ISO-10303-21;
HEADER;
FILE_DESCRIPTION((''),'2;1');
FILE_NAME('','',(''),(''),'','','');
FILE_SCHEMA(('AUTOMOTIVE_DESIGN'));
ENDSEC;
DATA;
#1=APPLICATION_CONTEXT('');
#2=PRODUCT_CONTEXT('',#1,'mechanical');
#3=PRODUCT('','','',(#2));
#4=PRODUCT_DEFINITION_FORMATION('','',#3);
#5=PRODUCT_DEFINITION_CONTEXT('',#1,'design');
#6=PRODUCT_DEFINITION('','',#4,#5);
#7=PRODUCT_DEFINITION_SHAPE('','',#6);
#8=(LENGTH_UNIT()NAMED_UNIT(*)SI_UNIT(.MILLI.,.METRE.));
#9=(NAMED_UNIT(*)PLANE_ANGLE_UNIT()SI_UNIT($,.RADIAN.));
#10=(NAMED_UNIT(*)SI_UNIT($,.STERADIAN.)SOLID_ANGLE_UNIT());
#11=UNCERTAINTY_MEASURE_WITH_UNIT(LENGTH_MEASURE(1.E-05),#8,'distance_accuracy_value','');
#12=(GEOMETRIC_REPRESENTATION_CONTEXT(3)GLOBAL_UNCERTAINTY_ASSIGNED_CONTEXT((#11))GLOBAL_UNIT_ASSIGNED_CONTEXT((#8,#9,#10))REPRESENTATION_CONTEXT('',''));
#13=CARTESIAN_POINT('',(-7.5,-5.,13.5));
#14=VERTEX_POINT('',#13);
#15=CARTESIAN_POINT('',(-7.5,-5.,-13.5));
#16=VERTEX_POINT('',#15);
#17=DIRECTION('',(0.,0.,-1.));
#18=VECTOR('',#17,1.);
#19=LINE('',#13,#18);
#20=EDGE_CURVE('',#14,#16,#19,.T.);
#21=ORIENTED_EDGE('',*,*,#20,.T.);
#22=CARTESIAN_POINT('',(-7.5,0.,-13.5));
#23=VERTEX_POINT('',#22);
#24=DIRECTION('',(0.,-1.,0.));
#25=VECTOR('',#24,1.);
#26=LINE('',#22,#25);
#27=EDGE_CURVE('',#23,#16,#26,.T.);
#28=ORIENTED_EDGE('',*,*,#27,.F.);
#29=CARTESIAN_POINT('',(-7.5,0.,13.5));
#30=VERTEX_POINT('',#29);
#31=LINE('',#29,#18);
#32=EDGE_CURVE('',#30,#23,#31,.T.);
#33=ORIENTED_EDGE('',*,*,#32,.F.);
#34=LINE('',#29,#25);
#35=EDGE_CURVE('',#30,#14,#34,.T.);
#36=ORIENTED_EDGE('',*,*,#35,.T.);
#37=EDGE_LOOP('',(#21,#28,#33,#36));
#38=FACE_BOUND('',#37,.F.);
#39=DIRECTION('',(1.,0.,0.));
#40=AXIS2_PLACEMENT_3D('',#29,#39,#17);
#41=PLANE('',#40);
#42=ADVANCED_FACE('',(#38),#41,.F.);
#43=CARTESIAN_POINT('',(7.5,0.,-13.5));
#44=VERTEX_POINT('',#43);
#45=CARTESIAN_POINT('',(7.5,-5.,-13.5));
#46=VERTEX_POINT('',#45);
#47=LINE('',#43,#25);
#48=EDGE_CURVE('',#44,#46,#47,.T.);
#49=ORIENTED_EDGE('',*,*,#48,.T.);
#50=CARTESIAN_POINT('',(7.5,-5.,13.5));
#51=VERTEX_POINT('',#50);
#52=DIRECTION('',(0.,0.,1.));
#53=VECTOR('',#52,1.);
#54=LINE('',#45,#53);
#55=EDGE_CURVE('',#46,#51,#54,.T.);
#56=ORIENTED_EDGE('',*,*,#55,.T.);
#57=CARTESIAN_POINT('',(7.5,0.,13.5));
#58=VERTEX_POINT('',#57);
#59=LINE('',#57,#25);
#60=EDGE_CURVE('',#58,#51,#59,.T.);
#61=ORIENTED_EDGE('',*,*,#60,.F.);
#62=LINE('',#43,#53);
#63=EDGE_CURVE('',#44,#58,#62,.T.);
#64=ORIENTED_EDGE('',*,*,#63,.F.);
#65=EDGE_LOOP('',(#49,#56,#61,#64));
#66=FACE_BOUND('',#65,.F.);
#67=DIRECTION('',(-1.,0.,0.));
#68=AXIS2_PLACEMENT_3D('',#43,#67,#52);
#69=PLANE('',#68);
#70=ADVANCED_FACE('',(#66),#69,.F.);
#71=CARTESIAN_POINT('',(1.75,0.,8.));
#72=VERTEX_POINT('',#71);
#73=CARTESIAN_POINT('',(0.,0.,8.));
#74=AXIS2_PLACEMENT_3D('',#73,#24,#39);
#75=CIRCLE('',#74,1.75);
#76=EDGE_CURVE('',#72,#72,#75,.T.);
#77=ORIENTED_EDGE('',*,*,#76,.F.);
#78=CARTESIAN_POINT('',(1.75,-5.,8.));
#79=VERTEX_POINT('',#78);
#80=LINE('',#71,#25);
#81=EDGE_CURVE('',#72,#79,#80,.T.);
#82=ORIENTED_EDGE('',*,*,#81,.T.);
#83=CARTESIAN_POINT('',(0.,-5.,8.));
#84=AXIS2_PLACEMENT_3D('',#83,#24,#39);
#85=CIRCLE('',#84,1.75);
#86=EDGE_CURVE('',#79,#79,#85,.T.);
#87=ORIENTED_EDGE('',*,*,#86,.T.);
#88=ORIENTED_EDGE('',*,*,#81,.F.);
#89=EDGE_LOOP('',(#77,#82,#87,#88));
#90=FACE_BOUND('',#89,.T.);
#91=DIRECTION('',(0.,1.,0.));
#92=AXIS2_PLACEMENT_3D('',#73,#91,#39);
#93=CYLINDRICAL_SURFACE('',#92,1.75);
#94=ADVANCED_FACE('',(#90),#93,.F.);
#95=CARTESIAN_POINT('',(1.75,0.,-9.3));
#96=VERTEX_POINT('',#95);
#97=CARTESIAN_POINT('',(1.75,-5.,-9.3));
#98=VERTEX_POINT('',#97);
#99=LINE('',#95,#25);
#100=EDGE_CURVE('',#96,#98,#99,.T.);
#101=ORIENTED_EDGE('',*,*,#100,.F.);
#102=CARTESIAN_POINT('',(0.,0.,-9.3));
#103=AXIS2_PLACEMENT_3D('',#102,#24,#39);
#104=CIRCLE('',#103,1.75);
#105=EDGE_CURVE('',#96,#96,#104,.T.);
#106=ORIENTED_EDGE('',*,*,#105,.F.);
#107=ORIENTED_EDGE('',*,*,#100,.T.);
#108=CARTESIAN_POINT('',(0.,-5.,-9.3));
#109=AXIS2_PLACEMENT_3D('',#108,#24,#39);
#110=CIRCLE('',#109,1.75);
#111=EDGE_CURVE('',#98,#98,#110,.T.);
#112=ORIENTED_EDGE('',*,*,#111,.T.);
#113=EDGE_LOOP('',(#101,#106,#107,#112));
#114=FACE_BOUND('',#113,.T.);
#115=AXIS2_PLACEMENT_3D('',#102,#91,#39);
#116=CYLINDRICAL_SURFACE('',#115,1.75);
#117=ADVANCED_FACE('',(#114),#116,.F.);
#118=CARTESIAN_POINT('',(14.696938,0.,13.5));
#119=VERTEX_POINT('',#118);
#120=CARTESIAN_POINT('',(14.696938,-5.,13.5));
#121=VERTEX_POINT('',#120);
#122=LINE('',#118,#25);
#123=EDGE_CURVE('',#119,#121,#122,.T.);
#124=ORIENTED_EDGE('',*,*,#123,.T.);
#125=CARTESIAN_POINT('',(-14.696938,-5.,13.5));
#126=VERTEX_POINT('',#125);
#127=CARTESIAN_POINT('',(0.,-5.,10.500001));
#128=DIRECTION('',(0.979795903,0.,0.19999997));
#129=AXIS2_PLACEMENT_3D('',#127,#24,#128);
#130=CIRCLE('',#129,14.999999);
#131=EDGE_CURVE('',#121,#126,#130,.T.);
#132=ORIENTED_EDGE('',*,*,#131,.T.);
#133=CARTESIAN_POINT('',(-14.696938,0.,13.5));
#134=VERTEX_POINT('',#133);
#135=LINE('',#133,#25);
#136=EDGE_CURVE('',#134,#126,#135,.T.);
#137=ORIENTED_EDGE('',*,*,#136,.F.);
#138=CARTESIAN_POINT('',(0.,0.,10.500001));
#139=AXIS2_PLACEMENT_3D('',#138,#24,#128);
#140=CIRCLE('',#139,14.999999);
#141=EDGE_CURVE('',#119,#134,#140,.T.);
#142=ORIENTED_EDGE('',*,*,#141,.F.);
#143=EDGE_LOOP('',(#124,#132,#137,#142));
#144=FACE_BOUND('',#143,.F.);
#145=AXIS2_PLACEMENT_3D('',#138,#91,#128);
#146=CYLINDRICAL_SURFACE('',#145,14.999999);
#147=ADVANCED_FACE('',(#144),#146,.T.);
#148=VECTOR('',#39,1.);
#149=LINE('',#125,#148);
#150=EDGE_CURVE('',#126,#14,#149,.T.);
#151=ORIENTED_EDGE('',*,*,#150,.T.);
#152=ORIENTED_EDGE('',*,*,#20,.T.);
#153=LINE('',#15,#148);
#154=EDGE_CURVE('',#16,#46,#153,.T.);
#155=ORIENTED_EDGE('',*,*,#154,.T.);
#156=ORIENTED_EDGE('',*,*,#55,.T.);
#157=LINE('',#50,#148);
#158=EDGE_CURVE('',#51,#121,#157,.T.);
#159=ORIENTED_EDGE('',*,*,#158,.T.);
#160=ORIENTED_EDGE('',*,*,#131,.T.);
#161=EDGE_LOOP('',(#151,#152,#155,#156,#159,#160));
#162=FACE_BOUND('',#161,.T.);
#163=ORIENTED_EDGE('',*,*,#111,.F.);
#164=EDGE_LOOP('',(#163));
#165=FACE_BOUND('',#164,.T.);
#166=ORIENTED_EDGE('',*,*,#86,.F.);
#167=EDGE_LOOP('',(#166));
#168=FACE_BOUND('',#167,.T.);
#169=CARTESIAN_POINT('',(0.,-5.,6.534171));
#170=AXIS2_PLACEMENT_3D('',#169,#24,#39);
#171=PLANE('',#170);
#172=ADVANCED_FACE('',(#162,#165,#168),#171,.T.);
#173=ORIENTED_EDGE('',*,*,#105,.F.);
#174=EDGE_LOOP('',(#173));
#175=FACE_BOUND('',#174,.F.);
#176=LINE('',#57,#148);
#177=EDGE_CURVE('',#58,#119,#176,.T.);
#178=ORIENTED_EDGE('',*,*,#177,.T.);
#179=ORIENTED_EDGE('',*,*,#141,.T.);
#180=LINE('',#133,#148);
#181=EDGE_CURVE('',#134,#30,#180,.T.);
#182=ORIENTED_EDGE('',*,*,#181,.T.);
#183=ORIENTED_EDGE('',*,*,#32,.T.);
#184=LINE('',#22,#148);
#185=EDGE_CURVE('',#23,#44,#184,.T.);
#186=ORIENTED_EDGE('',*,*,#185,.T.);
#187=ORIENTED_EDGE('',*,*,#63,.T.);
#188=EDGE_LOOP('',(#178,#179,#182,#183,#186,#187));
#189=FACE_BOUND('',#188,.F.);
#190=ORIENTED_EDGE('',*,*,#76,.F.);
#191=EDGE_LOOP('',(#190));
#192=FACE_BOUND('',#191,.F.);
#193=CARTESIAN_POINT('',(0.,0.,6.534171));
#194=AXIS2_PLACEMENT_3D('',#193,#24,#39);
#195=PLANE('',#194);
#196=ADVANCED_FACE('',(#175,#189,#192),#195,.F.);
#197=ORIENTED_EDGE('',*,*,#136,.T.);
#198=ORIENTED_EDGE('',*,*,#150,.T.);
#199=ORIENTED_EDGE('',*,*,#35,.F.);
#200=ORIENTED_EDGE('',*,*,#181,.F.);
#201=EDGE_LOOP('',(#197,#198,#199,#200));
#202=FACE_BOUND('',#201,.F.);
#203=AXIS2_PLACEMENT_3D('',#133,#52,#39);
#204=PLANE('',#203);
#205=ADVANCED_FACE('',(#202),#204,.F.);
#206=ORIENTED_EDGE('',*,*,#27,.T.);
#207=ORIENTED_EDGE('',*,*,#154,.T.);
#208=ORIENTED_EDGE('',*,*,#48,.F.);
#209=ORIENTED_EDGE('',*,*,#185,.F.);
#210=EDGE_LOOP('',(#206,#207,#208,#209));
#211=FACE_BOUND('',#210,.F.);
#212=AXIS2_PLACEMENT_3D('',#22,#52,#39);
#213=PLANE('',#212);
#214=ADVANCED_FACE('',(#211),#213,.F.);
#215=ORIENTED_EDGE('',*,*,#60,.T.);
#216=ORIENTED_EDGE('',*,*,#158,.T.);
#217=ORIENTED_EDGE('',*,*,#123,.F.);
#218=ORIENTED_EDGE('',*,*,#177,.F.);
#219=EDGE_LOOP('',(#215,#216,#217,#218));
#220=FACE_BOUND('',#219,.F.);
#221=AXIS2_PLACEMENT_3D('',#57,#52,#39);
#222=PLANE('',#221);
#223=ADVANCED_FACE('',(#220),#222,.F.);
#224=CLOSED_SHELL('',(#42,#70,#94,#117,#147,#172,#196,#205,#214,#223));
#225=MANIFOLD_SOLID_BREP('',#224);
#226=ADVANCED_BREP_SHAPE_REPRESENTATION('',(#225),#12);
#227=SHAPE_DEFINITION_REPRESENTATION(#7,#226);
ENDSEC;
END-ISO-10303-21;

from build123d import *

# Parameters (mm, degrees)
F0_R     = 1.75
F1_DEPTH = 5


with BuildPart() as f1:
    # F0 (on Front) → F1 (new body)
    with BuildSketch(Plane.XZ):
        with BuildLine():
            Line((-7.5, -13.5), (7.5, -13.5))
            Line((7.5, -13.5), (7.5, 13.5))
            Line((7.5, 13.5), (14.696938, 13.5))
            ThreePointArc((14.696938, 13.5), (0, 25.5), (-14.696938, 13.5))
            Line((-14.696938, 13.5), (-7.5, 13.5))
            Line((-7.5, 13.5), (-7.5, -13.5))
        make_face()
        with Locations((0, -9.3)):
            Circle(F0_R, mode=Mode.SUBTRACT)
        with Locations((0, 8)):
            Circle(F0_R, mode=Mode.SUBTRACT)
    extrude(amount=F1_DEPTH)


solid = f1.part
